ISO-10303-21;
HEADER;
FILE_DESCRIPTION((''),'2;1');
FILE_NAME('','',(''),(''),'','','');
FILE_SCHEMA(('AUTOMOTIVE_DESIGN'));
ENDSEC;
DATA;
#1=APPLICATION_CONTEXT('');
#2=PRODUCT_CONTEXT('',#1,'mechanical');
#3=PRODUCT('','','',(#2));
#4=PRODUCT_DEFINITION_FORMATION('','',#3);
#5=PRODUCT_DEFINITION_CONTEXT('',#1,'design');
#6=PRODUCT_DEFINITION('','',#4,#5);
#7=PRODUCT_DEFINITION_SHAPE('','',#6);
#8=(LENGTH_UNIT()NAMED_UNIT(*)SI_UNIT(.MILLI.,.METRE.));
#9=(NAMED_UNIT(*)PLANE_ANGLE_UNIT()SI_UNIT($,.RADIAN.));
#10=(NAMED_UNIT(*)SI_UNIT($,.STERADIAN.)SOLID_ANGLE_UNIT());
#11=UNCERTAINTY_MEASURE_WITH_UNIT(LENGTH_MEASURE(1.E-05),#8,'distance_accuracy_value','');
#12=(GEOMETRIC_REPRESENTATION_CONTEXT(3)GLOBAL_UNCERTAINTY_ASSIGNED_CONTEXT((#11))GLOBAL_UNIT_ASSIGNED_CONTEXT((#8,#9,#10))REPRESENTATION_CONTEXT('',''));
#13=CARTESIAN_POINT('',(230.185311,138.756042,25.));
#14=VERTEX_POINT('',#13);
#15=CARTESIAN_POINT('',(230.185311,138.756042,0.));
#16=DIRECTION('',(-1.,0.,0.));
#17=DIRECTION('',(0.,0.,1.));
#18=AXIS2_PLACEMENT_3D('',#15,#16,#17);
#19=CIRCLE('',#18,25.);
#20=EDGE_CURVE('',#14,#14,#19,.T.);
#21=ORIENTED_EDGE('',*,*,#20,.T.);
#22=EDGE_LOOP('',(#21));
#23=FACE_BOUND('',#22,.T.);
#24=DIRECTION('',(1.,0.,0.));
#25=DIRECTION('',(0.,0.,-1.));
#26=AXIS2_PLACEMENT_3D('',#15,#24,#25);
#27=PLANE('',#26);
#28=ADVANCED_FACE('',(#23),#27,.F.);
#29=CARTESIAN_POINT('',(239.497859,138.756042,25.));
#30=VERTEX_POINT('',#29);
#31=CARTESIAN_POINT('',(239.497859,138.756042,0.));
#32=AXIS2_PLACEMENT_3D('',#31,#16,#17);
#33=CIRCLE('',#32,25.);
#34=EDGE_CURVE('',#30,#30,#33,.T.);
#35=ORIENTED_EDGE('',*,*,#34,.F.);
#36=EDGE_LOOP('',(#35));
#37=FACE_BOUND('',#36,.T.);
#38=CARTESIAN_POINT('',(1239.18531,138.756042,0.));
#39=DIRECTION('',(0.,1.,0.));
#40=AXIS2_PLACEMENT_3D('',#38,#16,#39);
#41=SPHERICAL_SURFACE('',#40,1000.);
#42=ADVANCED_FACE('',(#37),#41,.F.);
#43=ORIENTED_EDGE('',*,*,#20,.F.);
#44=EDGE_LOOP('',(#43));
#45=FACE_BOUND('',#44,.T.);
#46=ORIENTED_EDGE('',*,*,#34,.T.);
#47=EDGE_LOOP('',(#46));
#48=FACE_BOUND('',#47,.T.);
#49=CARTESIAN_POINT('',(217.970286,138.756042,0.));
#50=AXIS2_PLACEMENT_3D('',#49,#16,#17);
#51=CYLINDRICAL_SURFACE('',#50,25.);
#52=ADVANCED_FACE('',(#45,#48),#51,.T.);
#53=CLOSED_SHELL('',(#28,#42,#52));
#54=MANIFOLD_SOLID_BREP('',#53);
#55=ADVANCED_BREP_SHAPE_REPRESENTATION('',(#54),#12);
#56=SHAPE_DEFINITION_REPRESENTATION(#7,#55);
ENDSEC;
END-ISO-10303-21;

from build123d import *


with BuildPart() as part:
    # 草图1 → 旋转1 (revolve)
    with BuildSketch(Plane.XY):
        with BuildLine():
            Line((230.18531107, 138.756042247), (230.18531107, 163.756042247))
            Line((230.18531107, 163.756042247), (239.497858858, 163.756042247))
            ThreePointArc((239.497858858, 163.756042247), (239.263450279, 151.257019076), (239.185310015, 138.756042247))
            Line((239.185310015, 138.756042247), (230.18531107, 138.756042247))
        make_face()
    revolve(axis=Axis((217.970286004, 138.756042247, 0), (1, 0, 0)))


solid = part.part
